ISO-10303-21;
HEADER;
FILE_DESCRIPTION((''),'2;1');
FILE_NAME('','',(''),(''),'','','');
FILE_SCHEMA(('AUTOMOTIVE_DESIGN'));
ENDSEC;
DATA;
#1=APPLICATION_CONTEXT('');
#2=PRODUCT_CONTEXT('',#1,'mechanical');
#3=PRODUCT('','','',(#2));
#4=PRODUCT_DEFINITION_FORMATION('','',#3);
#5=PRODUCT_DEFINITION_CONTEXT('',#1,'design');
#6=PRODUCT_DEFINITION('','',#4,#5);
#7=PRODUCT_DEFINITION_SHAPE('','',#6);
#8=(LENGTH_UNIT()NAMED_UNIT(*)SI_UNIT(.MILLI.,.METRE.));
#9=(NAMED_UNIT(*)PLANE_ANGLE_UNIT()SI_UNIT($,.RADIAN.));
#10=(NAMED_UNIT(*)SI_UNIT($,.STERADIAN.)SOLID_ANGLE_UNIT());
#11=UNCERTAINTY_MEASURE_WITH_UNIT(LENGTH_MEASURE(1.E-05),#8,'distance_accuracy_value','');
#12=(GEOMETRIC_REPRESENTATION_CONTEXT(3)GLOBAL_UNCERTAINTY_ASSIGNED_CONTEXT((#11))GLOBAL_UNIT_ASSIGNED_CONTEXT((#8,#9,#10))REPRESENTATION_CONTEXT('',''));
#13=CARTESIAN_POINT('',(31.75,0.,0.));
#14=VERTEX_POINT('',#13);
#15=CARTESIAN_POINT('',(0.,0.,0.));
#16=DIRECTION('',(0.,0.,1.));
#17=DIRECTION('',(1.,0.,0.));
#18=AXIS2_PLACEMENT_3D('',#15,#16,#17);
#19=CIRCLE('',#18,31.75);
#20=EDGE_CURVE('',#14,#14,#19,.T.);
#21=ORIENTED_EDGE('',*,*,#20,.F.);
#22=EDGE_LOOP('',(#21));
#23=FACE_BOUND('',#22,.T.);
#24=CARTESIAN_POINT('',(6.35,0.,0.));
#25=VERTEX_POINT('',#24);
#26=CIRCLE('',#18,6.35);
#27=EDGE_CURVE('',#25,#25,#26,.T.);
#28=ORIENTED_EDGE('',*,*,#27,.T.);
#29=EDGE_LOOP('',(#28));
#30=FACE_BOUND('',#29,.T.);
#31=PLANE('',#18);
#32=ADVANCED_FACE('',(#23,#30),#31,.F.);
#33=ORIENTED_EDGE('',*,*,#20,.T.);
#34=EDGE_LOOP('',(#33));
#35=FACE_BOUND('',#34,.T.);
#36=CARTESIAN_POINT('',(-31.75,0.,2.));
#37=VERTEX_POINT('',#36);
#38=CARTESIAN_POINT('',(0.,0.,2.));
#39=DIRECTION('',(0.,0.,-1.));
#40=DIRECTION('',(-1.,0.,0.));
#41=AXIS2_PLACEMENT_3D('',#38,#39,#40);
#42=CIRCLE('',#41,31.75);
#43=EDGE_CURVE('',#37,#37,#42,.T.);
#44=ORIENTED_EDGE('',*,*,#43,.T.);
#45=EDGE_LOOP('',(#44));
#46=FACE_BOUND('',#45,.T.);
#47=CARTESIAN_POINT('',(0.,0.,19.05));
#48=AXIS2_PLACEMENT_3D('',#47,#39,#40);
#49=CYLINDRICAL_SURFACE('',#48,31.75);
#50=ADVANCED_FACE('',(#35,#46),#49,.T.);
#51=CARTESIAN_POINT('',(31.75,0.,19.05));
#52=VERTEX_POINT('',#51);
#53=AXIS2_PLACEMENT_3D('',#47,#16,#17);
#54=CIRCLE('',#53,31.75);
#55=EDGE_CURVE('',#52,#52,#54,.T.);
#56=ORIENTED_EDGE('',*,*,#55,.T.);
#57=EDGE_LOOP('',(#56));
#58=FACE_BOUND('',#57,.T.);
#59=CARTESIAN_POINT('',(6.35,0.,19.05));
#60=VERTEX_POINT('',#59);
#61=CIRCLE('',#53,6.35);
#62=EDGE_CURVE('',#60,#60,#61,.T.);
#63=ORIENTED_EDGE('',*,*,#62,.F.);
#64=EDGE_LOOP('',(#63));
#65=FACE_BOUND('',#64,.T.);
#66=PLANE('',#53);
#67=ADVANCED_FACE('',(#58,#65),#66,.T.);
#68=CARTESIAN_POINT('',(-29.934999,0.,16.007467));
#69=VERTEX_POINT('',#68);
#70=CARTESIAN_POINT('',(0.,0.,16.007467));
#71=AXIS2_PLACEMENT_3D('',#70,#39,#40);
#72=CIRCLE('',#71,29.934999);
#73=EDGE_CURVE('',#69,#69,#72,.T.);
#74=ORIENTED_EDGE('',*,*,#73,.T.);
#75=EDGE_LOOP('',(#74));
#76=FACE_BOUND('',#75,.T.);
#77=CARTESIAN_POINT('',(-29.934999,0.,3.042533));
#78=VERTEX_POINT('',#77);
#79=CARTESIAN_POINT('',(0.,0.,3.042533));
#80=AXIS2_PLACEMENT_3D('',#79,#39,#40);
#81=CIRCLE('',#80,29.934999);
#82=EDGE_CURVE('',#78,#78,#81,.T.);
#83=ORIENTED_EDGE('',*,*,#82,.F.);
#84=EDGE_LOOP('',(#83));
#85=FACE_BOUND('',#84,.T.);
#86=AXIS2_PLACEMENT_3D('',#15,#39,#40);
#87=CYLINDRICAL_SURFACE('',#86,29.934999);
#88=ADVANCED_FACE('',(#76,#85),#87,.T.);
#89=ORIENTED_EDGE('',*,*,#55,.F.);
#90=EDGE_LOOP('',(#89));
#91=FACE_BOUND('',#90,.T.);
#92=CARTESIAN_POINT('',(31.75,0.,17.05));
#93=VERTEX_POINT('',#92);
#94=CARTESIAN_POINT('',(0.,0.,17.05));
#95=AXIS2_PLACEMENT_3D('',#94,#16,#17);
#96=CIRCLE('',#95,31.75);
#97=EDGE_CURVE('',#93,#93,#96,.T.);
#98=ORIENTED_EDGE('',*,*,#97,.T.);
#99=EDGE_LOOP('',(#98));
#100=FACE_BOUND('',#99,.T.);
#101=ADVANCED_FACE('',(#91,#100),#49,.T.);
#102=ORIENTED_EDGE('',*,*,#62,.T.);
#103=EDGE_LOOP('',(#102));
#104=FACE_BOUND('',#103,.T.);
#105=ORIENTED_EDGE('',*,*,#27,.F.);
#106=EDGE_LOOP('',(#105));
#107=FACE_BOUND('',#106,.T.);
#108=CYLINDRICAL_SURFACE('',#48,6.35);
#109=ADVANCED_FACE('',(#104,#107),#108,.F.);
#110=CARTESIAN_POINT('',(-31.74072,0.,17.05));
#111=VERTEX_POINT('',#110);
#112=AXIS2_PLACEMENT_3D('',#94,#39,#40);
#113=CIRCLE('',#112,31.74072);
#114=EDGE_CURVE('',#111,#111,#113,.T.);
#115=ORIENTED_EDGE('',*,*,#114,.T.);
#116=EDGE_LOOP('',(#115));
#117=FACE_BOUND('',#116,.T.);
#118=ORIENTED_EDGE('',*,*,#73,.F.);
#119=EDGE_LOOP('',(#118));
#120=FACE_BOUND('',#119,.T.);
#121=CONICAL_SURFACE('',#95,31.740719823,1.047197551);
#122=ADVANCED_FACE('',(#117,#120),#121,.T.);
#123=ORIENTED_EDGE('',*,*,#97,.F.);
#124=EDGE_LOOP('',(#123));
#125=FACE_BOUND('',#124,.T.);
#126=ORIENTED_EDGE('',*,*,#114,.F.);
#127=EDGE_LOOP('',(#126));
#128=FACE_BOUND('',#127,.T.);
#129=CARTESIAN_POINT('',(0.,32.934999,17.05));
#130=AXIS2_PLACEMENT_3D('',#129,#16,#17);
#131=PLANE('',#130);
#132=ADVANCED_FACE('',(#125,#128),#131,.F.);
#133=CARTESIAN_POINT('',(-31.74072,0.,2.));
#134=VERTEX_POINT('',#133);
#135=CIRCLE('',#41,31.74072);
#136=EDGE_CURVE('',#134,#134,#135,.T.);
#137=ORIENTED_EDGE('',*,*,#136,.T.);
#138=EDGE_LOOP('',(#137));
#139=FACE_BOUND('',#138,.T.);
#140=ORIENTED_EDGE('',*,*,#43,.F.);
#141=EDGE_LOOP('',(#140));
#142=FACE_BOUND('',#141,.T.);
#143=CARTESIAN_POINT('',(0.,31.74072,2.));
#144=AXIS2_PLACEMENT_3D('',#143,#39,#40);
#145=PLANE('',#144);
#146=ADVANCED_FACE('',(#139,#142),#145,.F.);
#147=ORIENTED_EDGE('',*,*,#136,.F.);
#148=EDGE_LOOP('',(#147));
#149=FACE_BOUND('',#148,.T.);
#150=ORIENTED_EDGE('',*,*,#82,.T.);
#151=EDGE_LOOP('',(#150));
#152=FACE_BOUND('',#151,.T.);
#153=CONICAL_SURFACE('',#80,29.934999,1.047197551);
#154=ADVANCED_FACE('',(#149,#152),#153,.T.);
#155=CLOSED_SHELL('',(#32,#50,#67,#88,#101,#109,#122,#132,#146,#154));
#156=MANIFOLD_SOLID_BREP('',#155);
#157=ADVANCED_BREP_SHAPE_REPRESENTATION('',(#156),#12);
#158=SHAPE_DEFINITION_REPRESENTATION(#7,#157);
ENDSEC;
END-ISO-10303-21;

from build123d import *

# Parameters (mm, degrees)
CROQUIS1_R              = 31.75
CROQUIS1_R_2            = 6.35
SALIENTE_EXTRUIR1_DEPTH = 19.05


with BuildPart() as part:
    # Croquis1 → Saliente-Extruir1 (new body)
    with BuildSketch(Plane.XY):
        Circle(CROQUIS1_R)
        Circle(CROQUIS1_R_2, mode=Mode.SUBTRACT)
    extrude(amount=SALIENTE_EXTRUIR1_DEPTH)

    # Croquis2 → Cortar-Revolución2 (revolve, cut)
    with BuildSketch(Plane(origin=(0, 0, 0), x_dir=(0, 0, -1), z_dir=(1, 0, 0))):
        Polygon((-3.042533403, 29.934999), (-16.007466597, 29.934999), (-17.05, 31.740719823), (-17.05, 32.934999), (-2, 32.934999), (-2, 31.740719823), align=None)
    revolve(axis=Axis((0, 0, 0), (0, 0, 1)), mode=Mode.SUBTRACT)


solid = part.part
